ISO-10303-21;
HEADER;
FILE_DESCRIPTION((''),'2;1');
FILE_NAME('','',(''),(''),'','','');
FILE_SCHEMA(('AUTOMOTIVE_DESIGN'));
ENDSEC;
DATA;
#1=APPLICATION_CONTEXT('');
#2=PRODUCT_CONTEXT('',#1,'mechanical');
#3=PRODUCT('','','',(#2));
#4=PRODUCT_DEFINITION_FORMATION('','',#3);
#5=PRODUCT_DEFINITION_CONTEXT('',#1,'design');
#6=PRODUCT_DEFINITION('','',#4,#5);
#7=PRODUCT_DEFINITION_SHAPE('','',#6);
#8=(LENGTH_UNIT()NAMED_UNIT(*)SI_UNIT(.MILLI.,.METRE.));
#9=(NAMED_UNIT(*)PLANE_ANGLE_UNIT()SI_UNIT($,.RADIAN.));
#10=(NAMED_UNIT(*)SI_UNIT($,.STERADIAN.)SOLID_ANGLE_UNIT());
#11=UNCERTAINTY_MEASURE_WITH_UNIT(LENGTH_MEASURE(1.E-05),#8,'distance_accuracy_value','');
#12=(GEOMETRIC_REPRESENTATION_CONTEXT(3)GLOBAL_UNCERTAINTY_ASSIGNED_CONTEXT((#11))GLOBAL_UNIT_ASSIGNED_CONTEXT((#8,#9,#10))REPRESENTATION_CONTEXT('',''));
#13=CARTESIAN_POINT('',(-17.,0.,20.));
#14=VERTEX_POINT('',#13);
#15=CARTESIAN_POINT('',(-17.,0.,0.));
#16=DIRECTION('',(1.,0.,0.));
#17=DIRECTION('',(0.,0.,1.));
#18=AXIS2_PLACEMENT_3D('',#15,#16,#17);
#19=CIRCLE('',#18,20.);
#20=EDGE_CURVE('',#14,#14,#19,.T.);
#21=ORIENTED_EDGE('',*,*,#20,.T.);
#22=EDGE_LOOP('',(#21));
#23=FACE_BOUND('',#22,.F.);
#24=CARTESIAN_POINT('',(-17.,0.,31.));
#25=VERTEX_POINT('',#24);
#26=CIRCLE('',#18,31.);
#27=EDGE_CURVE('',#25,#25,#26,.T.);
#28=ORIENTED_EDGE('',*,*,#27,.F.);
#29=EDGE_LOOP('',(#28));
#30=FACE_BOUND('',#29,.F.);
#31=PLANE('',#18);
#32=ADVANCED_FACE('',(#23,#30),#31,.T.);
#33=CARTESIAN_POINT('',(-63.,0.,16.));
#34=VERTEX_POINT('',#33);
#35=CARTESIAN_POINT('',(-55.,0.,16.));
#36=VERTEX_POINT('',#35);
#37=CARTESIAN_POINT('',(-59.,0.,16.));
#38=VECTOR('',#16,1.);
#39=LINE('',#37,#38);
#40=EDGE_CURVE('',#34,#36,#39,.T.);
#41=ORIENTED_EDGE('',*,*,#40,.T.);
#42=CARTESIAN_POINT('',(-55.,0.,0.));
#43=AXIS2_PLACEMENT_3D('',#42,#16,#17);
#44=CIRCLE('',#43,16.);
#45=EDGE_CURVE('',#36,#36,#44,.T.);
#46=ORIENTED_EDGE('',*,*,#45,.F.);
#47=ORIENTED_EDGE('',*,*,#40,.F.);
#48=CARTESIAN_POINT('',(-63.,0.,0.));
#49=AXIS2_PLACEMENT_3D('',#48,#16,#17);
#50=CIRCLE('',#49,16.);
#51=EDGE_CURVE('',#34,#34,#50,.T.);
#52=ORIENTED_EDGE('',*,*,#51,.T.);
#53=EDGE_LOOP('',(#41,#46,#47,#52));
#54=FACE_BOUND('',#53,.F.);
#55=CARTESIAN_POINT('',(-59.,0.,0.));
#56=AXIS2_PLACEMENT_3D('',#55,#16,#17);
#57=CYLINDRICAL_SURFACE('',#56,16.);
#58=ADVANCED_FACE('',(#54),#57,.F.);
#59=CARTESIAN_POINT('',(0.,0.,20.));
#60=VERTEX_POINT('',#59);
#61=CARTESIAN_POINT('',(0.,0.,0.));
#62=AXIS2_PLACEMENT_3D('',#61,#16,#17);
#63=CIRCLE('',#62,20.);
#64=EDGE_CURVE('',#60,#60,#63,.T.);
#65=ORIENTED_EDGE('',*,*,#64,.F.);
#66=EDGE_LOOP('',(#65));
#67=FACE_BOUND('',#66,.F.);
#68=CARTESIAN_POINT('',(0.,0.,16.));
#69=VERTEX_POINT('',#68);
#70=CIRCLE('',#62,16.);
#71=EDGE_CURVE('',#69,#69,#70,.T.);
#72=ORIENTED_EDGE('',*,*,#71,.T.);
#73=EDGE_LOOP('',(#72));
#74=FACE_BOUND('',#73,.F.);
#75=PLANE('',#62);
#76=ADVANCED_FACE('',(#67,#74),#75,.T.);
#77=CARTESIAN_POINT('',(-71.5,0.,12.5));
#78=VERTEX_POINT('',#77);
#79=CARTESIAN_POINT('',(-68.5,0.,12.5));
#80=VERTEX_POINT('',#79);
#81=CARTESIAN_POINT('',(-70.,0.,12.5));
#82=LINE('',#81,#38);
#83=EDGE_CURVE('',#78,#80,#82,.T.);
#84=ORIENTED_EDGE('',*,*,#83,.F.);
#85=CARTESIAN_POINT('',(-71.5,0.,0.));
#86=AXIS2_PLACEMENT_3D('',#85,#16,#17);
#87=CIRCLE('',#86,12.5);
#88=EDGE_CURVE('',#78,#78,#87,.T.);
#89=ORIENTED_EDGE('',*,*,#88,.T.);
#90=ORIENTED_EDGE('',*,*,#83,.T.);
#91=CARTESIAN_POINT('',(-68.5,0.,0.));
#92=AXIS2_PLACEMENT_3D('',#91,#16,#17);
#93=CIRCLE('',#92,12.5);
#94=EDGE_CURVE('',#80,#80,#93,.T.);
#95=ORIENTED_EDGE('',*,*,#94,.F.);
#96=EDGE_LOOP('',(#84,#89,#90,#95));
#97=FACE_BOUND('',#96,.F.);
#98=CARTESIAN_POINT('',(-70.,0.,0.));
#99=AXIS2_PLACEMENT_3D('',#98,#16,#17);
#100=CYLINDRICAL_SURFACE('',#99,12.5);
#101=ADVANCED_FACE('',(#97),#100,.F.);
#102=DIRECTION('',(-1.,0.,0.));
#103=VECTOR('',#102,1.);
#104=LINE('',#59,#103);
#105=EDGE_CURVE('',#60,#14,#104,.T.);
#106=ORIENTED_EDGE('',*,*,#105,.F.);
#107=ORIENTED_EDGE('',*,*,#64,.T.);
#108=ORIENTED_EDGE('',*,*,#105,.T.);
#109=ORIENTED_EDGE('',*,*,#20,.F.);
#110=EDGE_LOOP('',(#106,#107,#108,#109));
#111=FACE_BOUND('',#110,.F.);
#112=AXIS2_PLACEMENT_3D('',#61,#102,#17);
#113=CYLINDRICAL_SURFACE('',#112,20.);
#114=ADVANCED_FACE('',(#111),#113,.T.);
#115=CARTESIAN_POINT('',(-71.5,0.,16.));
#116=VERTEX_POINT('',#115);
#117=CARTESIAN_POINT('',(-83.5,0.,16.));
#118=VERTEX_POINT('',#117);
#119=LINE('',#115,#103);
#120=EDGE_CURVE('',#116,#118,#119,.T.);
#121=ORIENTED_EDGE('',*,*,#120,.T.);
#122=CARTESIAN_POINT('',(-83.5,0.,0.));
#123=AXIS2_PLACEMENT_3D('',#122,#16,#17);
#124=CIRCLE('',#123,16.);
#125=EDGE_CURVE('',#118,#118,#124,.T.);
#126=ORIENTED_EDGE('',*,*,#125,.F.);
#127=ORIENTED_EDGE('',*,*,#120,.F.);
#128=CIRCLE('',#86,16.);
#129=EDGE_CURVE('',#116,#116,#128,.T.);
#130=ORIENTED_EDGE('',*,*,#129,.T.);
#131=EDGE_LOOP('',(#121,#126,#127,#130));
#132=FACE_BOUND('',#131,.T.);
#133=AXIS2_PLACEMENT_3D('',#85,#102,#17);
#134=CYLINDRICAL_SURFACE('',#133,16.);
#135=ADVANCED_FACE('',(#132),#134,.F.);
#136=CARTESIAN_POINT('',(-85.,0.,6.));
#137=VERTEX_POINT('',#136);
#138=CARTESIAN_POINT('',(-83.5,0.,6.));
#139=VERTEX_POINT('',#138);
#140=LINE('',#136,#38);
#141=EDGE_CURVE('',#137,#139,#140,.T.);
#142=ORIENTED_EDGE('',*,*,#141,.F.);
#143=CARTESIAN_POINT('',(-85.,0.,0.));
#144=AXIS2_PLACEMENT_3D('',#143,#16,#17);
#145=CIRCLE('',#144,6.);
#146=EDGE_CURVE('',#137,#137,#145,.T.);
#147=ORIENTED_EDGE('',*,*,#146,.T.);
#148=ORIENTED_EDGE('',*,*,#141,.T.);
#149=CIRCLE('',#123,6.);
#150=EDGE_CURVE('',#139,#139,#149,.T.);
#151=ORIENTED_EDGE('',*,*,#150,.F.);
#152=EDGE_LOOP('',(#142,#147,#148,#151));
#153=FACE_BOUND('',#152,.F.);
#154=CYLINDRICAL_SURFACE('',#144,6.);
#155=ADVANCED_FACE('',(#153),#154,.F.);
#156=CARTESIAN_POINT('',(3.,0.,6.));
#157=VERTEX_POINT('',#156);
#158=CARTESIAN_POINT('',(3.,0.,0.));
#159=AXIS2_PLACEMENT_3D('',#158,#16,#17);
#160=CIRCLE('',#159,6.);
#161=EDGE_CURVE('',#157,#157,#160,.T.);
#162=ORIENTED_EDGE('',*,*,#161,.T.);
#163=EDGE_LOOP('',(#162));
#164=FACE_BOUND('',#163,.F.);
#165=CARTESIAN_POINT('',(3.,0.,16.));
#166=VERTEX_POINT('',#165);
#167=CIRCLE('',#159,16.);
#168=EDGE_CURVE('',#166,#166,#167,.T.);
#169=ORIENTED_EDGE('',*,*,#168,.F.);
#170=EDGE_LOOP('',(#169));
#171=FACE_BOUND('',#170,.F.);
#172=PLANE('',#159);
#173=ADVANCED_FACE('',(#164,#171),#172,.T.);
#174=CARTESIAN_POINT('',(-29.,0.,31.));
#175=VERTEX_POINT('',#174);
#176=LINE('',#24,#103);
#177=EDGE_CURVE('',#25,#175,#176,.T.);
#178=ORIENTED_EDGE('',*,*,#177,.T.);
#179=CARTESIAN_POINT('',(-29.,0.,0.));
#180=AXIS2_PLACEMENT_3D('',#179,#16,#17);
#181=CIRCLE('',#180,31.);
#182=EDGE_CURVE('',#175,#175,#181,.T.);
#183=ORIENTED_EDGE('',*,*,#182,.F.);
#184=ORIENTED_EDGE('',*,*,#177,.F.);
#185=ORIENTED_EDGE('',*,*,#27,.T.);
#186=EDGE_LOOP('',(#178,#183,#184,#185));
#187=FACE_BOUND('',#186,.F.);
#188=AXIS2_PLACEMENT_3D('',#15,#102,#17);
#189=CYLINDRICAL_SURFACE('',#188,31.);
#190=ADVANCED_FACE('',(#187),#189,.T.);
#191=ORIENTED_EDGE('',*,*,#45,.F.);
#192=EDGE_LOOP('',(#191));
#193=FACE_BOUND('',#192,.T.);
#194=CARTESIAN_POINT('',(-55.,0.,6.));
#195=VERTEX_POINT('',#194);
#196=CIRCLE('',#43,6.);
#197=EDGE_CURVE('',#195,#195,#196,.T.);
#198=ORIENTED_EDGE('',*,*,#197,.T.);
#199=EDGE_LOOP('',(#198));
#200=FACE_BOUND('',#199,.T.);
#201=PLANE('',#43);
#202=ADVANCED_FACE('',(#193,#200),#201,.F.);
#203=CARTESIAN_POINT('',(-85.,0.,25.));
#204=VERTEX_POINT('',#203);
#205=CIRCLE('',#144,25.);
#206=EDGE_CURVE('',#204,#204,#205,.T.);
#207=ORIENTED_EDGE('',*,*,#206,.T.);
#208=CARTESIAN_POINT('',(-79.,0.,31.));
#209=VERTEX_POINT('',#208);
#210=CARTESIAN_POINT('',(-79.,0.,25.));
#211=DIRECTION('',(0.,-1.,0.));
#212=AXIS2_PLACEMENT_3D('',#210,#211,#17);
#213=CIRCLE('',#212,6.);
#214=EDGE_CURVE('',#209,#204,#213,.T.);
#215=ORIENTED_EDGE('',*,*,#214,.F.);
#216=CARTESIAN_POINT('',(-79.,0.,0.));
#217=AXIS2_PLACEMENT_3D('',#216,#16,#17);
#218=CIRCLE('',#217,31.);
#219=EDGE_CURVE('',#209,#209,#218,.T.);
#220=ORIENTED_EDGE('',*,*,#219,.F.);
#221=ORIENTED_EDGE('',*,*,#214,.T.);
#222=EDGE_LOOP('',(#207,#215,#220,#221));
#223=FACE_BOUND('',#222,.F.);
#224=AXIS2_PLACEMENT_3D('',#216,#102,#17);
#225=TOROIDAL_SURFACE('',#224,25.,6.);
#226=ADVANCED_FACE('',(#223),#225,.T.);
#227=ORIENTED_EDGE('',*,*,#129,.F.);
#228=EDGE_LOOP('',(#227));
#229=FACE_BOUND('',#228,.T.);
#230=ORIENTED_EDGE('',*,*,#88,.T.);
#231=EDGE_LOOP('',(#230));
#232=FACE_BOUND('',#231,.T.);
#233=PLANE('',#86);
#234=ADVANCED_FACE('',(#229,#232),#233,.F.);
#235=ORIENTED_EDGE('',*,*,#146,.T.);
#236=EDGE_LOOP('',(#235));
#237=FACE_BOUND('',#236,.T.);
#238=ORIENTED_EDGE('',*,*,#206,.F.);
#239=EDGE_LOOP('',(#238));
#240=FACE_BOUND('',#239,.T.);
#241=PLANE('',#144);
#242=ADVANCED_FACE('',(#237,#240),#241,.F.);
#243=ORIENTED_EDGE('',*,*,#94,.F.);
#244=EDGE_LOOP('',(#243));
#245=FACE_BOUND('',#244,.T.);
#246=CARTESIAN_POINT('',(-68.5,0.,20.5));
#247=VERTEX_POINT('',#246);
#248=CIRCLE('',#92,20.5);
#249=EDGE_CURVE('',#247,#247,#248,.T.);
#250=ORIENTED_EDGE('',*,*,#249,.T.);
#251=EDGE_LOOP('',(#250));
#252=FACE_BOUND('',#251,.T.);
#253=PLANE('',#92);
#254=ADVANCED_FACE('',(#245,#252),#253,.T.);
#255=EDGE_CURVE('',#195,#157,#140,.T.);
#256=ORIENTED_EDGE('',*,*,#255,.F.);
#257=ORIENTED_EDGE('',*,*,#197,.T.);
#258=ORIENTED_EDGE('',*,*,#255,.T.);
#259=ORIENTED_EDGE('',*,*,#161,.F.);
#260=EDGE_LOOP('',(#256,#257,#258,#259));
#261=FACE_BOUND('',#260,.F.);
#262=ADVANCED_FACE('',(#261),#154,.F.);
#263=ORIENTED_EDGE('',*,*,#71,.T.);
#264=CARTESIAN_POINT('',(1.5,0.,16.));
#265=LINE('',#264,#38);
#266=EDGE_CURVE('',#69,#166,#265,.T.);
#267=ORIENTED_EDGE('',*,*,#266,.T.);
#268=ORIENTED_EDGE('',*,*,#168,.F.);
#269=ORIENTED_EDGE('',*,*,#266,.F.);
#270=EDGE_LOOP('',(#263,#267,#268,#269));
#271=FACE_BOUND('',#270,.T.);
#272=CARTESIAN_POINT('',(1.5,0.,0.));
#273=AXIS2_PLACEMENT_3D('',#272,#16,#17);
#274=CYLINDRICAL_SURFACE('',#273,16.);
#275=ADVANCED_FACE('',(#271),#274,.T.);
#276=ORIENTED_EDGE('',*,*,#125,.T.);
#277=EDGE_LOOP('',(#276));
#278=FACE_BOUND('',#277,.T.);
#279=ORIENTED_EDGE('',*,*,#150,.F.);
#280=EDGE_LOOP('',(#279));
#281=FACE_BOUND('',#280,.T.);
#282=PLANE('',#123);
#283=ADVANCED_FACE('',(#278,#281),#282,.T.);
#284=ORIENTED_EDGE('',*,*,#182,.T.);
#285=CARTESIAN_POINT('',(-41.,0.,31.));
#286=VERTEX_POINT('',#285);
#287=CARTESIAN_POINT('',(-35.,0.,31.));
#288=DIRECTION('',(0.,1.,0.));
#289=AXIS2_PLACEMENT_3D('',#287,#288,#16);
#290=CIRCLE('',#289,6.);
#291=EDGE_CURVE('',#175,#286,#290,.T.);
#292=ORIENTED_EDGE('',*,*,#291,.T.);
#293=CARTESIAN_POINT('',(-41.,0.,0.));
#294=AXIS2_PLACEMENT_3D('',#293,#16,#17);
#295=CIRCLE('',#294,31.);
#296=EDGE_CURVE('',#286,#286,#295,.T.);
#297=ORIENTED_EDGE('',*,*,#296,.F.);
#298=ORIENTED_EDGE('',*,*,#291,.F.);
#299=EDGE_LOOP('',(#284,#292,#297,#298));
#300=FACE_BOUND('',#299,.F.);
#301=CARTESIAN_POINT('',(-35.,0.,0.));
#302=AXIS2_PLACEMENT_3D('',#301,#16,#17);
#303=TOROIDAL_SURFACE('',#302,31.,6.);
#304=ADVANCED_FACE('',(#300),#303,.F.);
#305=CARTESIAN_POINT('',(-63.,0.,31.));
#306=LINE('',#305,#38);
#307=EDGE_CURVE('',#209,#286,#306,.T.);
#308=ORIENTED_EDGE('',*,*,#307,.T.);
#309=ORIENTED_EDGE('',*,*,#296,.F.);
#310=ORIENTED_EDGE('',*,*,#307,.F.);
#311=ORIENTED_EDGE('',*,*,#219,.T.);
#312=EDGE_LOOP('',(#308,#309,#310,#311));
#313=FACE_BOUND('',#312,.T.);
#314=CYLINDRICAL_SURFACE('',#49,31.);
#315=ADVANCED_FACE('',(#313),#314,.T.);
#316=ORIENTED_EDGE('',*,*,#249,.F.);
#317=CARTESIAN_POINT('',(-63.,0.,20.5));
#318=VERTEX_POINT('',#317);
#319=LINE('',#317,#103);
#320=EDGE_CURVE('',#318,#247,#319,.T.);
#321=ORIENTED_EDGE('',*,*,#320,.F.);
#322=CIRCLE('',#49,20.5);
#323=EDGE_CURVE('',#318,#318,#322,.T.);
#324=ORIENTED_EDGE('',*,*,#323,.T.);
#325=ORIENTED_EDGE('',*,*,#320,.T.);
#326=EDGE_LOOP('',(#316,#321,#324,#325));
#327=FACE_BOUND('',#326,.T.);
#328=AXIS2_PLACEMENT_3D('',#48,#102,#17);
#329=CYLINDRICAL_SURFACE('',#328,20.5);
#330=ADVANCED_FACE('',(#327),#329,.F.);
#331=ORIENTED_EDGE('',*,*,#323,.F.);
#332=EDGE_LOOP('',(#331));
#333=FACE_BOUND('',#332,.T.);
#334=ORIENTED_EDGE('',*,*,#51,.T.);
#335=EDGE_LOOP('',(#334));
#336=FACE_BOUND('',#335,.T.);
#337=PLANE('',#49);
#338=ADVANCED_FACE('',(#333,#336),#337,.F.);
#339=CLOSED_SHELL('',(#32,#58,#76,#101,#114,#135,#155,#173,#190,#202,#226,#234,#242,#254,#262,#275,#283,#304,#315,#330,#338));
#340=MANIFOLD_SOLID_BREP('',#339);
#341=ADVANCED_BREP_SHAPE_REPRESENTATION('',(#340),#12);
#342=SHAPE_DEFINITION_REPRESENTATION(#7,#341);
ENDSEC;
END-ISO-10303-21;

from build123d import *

# Parameters (mm, degrees)
F0_W   = 3
F0_H   = 10
F0_W_2 = 44
F0_H_2 = 25
F2_R   = 6
F3_W   = 3
F3_H   = 6.5
F3_W_2 = 8
F3_H_2 = 10


with BuildPart() as f1:
    # F0 (on Front) → F1 (revolve)
    with BuildSketch(Plane.XZ):
        with Locations((1.5, 11)):
            Rectangle(F0_W, F0_H)
        Polygon((-17, 6), (0, 6), (0, 16), (0, 20), (-17, 20), align=None)
        Polygon((-29, 6), (-17, 6), (-17, 20), (-17, 31), (-29, 31), align=None)
        with BuildLine():
            Line((-41, 6), (-29, 6))
            Line((-29, 6), (-29, 31))
            ThreePointArc((-29, 31), (-35, 25), (-41, 31))
            Line((-41, 31), (-41, 6))
        make_face()
        with Locations((-63, 18.5)):
            Rectangle(F0_W_2, F0_H_2)
    revolve(axis=Axis((-0.275247, 0, 0), (1, 0, 0)))

    # F2
    f2_edges = [f1.edges().sort_by_distance(p)[0] for p in [
        (-85, 0, -31),
    ]]
    fillet(f2_edges, radius=F2_R)

    # F3 (on Front) → F4 (revolve, cut)
    with BuildSketch(Plane.XZ):
        Polygon((-71.5, 16), (-83.5, 16), (-83.5, 6), (-71.5, 6), (-71.5, 12.5), align=None)
        with Locations((-70, 9.25)):
            Rectangle(F3_W, F3_H)
        Polygon((-68.5, 12.5), (-68.5, 6), (-63, 6), (-63, 16), (-63, 20.5), (-68.5, 20.5), align=None)
        with Locations((-59, 11)):
            Rectangle(F3_W_2, F3_H_2)
    revolve(axis=Axis((-38.937337, 0, 0), (1, 0, 0)), mode=Mode.SUBTRACT)


solid = f1.part
